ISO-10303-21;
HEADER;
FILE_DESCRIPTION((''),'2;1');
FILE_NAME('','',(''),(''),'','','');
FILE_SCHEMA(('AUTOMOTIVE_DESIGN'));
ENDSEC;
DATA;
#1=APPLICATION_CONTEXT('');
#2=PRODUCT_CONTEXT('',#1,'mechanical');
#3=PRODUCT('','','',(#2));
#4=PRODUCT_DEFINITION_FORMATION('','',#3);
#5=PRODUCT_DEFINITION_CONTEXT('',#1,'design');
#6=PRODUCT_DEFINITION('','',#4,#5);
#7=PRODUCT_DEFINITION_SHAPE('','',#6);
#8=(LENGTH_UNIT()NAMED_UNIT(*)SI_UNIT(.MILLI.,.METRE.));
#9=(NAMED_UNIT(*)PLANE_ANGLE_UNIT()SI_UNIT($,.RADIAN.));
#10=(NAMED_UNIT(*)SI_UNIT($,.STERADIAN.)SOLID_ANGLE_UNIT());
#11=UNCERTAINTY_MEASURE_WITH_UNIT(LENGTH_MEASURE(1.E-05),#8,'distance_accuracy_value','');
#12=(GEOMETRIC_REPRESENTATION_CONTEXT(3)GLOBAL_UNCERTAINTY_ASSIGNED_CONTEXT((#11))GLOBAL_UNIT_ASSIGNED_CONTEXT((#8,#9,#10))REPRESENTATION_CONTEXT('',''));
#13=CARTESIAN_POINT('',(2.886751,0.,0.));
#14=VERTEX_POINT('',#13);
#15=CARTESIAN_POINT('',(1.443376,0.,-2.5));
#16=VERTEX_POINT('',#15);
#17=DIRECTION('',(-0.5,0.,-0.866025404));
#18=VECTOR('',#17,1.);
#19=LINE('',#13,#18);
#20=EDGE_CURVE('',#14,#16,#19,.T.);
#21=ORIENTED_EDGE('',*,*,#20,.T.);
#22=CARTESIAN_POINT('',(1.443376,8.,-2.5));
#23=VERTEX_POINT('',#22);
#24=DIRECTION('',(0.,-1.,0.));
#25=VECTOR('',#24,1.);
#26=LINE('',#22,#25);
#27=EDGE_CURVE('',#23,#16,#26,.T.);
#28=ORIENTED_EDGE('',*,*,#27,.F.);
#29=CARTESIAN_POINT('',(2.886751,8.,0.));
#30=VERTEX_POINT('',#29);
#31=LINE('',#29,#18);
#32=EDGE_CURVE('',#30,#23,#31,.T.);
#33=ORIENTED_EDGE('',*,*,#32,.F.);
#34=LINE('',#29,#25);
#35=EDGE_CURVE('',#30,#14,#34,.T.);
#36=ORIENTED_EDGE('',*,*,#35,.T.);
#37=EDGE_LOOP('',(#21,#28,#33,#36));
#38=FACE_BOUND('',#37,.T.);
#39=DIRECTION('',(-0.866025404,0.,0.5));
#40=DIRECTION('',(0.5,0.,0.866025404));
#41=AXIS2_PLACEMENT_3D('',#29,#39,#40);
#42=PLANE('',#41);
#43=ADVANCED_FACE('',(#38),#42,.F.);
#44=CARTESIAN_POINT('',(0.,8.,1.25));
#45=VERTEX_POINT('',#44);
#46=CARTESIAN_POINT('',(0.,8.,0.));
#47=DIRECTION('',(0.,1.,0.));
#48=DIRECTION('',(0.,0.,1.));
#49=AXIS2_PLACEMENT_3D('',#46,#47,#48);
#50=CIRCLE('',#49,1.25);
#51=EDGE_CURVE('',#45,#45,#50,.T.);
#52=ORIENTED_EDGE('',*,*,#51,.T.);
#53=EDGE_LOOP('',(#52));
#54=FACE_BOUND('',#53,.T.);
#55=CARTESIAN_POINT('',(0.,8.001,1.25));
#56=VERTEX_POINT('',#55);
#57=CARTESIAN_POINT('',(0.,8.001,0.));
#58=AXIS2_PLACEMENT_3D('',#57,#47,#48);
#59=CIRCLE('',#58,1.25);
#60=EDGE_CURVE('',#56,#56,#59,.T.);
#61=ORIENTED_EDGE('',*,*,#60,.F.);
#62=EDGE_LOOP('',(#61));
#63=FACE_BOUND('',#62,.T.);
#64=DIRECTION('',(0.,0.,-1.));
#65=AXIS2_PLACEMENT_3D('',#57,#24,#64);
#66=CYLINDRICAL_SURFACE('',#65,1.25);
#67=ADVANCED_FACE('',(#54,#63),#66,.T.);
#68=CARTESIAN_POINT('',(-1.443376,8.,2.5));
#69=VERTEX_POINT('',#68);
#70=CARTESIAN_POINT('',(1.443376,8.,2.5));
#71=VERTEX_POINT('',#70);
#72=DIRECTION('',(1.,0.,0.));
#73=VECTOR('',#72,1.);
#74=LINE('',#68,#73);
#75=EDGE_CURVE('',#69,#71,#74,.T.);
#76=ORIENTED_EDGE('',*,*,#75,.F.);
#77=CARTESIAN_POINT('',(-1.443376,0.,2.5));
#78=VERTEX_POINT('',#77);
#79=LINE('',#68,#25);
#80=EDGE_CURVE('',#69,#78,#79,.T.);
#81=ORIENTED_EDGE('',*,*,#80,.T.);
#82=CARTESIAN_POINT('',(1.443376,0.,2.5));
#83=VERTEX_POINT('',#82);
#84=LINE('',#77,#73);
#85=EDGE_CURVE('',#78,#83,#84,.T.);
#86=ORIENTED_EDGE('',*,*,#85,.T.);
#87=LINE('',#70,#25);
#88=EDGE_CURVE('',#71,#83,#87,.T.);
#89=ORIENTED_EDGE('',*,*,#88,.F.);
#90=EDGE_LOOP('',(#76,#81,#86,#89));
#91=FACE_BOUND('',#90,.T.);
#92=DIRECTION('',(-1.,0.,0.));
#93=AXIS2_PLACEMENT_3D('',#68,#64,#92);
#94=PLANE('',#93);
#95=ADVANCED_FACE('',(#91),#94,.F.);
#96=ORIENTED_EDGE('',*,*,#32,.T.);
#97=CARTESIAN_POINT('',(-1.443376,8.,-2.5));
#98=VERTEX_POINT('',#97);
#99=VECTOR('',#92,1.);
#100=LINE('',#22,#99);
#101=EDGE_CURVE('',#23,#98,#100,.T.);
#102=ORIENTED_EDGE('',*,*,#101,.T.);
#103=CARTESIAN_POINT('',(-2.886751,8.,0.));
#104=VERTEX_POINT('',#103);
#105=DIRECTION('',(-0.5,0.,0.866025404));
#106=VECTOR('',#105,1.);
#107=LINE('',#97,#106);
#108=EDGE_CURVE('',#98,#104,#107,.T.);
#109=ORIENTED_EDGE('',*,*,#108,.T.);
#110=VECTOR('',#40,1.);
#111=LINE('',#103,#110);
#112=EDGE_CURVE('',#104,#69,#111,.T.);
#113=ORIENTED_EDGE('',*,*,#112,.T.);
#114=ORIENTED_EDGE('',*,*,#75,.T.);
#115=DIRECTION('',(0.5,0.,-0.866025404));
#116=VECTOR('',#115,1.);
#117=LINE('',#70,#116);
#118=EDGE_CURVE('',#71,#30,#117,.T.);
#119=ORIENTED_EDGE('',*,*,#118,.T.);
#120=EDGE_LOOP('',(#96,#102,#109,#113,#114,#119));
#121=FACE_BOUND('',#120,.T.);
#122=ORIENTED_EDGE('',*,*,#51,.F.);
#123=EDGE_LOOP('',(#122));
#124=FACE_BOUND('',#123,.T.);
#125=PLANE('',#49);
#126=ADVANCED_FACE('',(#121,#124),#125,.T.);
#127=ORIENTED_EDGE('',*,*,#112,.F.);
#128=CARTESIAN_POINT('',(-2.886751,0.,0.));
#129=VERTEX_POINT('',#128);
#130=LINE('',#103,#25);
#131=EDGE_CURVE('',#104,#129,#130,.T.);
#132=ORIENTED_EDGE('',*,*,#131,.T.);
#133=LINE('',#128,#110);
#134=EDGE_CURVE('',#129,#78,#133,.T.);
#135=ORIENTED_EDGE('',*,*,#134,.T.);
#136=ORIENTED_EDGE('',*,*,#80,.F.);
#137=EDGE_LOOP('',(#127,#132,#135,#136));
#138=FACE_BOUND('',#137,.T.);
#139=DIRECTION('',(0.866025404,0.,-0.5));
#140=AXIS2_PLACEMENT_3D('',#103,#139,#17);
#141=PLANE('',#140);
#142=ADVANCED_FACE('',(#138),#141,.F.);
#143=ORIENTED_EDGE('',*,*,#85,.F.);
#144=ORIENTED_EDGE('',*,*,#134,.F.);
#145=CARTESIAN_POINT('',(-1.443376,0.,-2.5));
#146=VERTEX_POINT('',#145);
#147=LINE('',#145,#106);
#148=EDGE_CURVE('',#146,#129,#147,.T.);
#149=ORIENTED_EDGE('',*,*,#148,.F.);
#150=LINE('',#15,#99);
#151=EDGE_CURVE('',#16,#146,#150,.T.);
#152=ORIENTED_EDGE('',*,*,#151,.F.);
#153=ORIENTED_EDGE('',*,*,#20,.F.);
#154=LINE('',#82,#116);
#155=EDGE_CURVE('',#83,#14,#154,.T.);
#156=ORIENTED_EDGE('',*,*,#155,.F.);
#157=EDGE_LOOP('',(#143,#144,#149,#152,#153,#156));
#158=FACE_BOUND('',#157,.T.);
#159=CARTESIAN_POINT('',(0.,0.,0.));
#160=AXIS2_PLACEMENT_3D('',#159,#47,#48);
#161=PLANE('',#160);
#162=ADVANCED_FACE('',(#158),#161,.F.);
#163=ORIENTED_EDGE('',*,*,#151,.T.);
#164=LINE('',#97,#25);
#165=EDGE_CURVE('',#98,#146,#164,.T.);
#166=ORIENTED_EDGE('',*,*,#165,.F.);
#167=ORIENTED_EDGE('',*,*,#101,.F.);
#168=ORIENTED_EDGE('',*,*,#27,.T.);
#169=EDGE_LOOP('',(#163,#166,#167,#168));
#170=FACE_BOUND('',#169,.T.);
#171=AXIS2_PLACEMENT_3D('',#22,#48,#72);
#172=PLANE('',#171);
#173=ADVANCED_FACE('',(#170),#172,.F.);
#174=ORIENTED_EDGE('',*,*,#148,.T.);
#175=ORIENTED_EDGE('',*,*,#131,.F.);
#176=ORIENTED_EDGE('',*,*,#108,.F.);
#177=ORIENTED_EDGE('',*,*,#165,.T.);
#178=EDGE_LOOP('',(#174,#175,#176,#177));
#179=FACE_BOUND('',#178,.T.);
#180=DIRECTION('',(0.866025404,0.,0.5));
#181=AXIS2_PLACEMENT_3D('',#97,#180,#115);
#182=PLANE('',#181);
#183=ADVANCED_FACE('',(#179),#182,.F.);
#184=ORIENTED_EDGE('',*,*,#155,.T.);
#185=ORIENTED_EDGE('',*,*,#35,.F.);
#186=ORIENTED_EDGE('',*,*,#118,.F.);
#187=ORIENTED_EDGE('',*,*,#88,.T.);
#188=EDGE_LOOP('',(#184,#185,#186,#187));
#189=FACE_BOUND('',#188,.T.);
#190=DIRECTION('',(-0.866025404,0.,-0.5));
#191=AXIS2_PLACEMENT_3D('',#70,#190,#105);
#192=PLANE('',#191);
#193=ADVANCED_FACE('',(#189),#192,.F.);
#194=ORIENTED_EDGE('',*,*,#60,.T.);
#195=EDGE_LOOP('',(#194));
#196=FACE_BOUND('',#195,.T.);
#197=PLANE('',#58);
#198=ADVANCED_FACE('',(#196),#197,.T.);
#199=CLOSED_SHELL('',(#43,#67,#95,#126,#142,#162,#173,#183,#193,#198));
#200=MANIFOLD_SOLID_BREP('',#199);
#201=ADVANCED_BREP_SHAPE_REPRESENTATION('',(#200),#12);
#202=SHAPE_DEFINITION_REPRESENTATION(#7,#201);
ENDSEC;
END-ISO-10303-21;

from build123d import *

# Parameters (mm, degrees)
BOSS_EXTRUDE1_DEPTH = 8
SKETCH2_R           = 1.25
BOSS_EXTRUDE2_DEPTH = 0.001


with BuildPart() as part:
    # Sketch1 → Boss-Extrude1 (new body)
    with BuildSketch(Plane(origin=(0, 0, 0), x_dir=(1, 0, 0), z_dir=(0, 1, 0))):
        Polygon((-2.886751346, 0), (-1.443375673, -2.5), (1.443375673, -2.5), (2.886751346, 0), (1.443375673, 2.5), (-1.443375673, 2.5), align=None)
    extrude(amount=BOSS_EXTRUDE1_DEPTH)

    # Sketch2 → Boss-Extrude2 (add)
    with BuildSketch(Plane(origin=(0, 8, 0), x_dir=(1, 0, 0), z_dir=(0, 1, 0))):
        Circle(SKETCH2_R)
    extrude(amount=BOSS_EXTRUDE2_DEPTH)


solid = part.part
